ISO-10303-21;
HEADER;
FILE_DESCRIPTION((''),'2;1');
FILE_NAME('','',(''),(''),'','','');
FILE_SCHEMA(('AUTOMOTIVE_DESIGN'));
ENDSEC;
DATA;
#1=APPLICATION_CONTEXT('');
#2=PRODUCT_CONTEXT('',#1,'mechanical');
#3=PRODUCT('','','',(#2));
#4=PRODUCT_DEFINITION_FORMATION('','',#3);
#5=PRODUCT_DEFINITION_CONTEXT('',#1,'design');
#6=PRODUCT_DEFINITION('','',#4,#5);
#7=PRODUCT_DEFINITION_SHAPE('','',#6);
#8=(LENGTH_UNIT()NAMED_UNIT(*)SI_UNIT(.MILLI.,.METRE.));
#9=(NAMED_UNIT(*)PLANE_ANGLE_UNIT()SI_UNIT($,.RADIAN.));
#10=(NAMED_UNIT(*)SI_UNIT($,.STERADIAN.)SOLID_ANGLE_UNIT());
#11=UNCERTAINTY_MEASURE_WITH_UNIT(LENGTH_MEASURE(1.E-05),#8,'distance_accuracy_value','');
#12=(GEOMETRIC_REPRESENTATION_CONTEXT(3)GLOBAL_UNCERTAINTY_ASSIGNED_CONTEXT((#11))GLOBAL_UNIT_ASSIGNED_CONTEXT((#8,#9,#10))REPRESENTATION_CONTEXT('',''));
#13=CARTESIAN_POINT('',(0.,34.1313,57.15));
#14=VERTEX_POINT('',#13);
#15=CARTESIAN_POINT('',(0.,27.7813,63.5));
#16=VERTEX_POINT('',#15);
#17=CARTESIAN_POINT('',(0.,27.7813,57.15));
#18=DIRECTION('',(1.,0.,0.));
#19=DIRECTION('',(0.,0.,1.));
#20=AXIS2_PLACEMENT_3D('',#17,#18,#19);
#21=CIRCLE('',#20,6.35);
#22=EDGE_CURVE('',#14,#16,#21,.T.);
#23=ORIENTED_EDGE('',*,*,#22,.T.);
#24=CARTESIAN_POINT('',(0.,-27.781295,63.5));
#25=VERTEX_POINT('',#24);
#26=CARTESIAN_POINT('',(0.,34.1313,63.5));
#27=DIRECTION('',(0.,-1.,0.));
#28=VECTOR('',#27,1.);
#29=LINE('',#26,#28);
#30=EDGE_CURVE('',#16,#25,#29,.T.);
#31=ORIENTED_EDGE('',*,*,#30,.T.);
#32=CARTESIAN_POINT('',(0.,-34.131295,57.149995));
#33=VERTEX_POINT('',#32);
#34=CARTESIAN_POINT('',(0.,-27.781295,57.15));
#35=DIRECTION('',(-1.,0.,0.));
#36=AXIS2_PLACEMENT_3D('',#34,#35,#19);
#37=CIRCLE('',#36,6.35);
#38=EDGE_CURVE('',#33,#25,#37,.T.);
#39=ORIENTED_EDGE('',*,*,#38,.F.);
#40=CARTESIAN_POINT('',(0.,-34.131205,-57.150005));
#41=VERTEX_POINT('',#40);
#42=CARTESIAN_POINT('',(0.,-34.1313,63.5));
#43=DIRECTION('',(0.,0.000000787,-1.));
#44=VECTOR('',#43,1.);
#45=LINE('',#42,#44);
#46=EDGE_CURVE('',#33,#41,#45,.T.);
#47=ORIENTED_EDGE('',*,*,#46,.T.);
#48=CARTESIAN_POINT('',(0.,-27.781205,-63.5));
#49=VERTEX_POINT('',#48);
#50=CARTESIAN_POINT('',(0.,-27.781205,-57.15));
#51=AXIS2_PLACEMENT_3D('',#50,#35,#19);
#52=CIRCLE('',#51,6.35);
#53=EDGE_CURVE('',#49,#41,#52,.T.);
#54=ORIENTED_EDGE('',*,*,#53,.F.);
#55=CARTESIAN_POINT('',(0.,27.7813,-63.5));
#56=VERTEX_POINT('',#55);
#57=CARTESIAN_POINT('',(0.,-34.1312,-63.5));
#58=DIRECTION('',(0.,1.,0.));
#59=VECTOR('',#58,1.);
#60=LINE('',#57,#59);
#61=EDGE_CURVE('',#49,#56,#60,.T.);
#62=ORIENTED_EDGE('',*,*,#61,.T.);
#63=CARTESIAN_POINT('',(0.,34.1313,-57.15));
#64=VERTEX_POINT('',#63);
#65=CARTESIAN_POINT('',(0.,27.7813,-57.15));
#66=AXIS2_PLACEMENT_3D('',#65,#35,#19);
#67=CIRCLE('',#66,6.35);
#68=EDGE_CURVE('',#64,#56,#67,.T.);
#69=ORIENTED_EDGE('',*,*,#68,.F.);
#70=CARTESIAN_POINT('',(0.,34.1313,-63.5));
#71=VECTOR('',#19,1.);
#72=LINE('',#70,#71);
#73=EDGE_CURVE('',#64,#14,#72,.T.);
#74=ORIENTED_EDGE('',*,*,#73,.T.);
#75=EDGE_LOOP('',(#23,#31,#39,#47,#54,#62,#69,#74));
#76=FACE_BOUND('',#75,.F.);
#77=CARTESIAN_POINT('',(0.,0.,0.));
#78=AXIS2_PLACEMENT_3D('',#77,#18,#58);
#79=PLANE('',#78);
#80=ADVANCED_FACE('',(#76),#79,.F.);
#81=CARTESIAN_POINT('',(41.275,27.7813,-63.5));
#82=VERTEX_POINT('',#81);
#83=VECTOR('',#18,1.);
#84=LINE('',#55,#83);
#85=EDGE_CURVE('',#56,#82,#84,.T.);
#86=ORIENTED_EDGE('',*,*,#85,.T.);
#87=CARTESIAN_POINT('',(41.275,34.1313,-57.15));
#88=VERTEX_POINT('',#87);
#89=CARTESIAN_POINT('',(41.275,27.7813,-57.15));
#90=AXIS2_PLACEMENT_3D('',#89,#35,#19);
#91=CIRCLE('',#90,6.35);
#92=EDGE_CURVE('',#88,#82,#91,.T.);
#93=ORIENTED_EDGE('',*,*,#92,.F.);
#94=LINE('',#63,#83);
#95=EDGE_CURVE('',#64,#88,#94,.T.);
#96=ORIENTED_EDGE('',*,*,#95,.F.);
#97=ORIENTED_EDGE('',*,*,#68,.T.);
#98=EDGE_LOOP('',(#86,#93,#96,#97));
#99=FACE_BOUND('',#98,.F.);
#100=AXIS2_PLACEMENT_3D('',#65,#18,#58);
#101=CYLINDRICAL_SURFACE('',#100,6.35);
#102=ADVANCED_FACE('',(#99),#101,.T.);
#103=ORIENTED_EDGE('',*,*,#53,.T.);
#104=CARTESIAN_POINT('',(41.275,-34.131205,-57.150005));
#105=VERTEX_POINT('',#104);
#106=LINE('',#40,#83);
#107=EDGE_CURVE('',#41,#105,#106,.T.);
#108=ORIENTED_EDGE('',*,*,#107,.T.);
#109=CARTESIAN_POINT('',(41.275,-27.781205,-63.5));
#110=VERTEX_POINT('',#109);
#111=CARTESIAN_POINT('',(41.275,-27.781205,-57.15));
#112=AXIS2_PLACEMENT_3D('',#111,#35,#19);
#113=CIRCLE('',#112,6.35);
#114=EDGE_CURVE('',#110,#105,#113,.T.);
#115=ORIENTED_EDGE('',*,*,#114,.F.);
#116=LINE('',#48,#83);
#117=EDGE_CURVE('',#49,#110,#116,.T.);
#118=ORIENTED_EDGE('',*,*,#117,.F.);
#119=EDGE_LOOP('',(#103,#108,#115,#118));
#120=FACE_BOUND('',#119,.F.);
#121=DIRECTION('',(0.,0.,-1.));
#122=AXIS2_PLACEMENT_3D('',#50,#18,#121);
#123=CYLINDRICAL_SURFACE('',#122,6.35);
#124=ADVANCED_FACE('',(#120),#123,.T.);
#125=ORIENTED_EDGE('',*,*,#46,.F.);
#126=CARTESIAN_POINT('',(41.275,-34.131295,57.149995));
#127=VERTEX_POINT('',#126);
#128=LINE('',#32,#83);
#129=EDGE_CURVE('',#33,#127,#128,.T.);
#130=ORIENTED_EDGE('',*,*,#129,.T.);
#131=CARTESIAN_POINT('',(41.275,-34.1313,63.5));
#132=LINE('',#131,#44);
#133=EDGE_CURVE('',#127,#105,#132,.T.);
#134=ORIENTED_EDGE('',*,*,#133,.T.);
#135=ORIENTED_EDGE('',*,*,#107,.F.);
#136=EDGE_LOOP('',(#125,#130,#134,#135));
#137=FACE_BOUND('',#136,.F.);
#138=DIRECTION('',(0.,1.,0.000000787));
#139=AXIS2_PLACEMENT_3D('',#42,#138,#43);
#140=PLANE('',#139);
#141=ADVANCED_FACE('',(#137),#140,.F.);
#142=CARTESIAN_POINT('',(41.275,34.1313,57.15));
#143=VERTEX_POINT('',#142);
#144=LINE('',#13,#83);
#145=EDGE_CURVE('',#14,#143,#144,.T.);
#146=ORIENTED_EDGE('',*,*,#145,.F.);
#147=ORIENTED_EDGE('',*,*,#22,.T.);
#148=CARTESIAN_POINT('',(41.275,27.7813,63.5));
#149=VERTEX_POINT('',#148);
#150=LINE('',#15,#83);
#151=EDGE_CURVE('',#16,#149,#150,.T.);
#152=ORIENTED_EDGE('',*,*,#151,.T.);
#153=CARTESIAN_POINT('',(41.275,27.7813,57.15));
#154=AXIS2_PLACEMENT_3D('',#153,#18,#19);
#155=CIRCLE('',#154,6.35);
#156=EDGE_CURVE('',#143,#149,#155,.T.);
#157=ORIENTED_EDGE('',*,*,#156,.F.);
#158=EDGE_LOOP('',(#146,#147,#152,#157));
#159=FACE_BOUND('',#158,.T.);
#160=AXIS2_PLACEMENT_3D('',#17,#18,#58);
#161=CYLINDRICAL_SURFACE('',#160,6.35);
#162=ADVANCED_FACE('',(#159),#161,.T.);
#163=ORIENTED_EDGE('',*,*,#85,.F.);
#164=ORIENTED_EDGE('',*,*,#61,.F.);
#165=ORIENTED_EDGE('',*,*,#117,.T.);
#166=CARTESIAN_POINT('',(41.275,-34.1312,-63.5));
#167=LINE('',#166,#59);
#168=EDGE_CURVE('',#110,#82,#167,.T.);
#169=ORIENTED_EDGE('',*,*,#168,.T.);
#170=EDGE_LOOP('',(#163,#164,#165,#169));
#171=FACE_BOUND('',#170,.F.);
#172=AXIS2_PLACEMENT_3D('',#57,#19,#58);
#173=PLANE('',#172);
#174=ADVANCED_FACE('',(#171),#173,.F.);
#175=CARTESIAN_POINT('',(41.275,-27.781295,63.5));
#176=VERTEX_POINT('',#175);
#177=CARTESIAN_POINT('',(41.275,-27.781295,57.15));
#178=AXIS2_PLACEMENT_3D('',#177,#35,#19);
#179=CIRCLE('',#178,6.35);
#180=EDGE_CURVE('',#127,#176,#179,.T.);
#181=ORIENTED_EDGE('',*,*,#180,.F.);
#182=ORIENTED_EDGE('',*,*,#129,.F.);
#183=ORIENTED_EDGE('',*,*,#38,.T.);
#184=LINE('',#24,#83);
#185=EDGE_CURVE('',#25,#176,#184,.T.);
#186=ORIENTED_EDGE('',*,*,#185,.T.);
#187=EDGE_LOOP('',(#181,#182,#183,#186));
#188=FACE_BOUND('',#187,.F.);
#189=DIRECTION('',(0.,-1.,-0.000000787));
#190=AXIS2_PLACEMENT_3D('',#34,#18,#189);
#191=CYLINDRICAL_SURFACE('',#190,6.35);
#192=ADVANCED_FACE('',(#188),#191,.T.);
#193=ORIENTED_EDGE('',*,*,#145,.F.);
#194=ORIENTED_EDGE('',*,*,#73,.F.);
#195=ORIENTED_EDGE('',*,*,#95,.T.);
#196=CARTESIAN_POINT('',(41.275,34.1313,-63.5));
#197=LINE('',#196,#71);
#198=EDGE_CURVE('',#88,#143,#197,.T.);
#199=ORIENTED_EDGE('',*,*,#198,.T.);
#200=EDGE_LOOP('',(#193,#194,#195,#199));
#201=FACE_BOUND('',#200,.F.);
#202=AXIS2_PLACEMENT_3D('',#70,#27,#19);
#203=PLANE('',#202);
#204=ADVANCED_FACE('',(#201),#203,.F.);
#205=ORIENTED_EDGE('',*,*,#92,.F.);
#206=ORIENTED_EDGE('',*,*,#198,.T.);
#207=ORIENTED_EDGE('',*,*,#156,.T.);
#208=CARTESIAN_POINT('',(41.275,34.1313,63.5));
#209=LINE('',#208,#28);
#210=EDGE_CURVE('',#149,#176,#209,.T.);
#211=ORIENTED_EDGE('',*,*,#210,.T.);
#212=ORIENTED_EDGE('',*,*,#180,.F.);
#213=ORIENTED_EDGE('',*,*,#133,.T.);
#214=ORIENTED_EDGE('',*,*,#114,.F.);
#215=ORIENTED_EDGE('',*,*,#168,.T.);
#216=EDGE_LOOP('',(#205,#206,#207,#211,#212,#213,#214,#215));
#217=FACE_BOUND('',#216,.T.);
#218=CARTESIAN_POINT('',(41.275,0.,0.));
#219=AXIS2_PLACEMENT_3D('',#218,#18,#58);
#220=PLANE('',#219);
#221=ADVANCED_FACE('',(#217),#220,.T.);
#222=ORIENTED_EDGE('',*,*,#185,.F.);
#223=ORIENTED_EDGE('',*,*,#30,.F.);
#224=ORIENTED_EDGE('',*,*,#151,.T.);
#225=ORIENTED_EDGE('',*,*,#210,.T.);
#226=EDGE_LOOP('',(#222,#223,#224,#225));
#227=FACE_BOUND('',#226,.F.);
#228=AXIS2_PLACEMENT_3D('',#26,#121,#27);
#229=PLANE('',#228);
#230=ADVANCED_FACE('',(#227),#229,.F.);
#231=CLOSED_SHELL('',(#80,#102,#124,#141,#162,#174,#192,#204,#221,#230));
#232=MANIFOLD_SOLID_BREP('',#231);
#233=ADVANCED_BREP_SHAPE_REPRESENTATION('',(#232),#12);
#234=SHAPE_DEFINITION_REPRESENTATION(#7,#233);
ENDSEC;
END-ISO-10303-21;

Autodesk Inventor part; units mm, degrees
ref_plane "YZ Plane" through (0, 0, 0) normal (1, 0, 0) x (0, 1, 0)
sketch "Sketch1" plane through (0, 0, 0) normal (1, 0, 0) x (0, 1, 0)
  line L0 (34.1313, 63.5) -> (-34.1313, 63.5)
  line L1 (-34.1313, 63.5) -> (-34.1312, -63.5)
  line L2 (-34.1312, -63.5) -> (34.1313, -63.5)
  line L3 (34.1313, -63.5) -> (34.1313, 63.5)
  line L4 (-47.7838, 0) -> (47.7838, 0) construction
  line L5 (0, -88.9) -> (0, 88.9) construction
  point P0 (0, 0)
  dimension "d0" = 127
  dimension "d1" = 68.2625
extrude "Extrusion1" add sketch "Sketch1" along normal blind 41.275
fillet "Fillet1" radius 6.35 4 edges at (20.6375, 34.1313, 63.5) (20.6375, 34.1313, -63.5) (20.6375, -34.1313, 63.5) (20.6375, -34.1312, -63.5)
sketch "Motor Attachment" plane through (41.275, 0, 0) normal (1, 0, 0) x (0, 0, -1)
  line L0 (63.5, -27.7812) -> (63.5, 27.7813) construction
  line L1 (57.15, 34.1313) -> (-57.15, 34.1313) construction
  line L2 (-57.15, -34.1313) -> (57.15, -34.1312) construction
  line L3 (63.5, -27.7812) -> (63.5, 27.7813) construction
  line L4 (63.5, 0) -> (-63.5, 0) construction
  line L5 (-63.5, 27.7813) -> (-63.5, -27.7813) construction
  line L6 (57.15, 34.1313) -> (-57.15, 34.1313) construction
  line L7 (25.4, 34.1313) -> (25.4, -34.1312) construction
  point P0 (0, 0)
  point P1 (25.4, 0)
  dimension "d5" = 38.1
sketch "Axle Attachment" plane through (0, 0, 0) normal (-1, 0, 0) x (0, 0, 1)
  line L0 (-57.15, 34.1313) -> (57.15, 34.1313) construction
  line L1 (57.15, -34.1313) -> (-57.15, -34.1312) construction
  line L2 (63.5, 27.7813) -> (63.5, -27.7813) construction
  line L3 (-63.5, -27.7812) -> (-63.5, 27.7813) projected
  line L4 (-63.5, 0) -> (63.5, 0) construction
  line L5 (33.3375, 34.1313) -> (33.3375, -34.1313) construction
  point P0 (0, 0)
  point P1 (33.3375, 0)
  dimension "d6" = 30.1625
ref_plane "Work Plane1" through (0, 0, 33.3375) normal (0, -1, 0) x (1, 0, 0)
sketch "Axle Axis" plane through (0, 0, 33.3375) normal (0, -1, 0) x (1, 0, 0)
  line L0 (0, 0) -> (-15.5629, 0)
  point P0 (0, -33.3375)
ref_plane "Work Plane2" through (41.275, 0, -25.4) normal (0, -1, 0) x (1, 0, 0)
sketch "Motor Axis" plane through (41.275, 0, -25.4) normal (0, -1, 0) x (1, 0, 0)
  line L0 (0, 0) -> (10.3767, 0)
  point P0 (-41.275, 25.4)
properties part number "am-2679 671 Mecanum Gearbox"
